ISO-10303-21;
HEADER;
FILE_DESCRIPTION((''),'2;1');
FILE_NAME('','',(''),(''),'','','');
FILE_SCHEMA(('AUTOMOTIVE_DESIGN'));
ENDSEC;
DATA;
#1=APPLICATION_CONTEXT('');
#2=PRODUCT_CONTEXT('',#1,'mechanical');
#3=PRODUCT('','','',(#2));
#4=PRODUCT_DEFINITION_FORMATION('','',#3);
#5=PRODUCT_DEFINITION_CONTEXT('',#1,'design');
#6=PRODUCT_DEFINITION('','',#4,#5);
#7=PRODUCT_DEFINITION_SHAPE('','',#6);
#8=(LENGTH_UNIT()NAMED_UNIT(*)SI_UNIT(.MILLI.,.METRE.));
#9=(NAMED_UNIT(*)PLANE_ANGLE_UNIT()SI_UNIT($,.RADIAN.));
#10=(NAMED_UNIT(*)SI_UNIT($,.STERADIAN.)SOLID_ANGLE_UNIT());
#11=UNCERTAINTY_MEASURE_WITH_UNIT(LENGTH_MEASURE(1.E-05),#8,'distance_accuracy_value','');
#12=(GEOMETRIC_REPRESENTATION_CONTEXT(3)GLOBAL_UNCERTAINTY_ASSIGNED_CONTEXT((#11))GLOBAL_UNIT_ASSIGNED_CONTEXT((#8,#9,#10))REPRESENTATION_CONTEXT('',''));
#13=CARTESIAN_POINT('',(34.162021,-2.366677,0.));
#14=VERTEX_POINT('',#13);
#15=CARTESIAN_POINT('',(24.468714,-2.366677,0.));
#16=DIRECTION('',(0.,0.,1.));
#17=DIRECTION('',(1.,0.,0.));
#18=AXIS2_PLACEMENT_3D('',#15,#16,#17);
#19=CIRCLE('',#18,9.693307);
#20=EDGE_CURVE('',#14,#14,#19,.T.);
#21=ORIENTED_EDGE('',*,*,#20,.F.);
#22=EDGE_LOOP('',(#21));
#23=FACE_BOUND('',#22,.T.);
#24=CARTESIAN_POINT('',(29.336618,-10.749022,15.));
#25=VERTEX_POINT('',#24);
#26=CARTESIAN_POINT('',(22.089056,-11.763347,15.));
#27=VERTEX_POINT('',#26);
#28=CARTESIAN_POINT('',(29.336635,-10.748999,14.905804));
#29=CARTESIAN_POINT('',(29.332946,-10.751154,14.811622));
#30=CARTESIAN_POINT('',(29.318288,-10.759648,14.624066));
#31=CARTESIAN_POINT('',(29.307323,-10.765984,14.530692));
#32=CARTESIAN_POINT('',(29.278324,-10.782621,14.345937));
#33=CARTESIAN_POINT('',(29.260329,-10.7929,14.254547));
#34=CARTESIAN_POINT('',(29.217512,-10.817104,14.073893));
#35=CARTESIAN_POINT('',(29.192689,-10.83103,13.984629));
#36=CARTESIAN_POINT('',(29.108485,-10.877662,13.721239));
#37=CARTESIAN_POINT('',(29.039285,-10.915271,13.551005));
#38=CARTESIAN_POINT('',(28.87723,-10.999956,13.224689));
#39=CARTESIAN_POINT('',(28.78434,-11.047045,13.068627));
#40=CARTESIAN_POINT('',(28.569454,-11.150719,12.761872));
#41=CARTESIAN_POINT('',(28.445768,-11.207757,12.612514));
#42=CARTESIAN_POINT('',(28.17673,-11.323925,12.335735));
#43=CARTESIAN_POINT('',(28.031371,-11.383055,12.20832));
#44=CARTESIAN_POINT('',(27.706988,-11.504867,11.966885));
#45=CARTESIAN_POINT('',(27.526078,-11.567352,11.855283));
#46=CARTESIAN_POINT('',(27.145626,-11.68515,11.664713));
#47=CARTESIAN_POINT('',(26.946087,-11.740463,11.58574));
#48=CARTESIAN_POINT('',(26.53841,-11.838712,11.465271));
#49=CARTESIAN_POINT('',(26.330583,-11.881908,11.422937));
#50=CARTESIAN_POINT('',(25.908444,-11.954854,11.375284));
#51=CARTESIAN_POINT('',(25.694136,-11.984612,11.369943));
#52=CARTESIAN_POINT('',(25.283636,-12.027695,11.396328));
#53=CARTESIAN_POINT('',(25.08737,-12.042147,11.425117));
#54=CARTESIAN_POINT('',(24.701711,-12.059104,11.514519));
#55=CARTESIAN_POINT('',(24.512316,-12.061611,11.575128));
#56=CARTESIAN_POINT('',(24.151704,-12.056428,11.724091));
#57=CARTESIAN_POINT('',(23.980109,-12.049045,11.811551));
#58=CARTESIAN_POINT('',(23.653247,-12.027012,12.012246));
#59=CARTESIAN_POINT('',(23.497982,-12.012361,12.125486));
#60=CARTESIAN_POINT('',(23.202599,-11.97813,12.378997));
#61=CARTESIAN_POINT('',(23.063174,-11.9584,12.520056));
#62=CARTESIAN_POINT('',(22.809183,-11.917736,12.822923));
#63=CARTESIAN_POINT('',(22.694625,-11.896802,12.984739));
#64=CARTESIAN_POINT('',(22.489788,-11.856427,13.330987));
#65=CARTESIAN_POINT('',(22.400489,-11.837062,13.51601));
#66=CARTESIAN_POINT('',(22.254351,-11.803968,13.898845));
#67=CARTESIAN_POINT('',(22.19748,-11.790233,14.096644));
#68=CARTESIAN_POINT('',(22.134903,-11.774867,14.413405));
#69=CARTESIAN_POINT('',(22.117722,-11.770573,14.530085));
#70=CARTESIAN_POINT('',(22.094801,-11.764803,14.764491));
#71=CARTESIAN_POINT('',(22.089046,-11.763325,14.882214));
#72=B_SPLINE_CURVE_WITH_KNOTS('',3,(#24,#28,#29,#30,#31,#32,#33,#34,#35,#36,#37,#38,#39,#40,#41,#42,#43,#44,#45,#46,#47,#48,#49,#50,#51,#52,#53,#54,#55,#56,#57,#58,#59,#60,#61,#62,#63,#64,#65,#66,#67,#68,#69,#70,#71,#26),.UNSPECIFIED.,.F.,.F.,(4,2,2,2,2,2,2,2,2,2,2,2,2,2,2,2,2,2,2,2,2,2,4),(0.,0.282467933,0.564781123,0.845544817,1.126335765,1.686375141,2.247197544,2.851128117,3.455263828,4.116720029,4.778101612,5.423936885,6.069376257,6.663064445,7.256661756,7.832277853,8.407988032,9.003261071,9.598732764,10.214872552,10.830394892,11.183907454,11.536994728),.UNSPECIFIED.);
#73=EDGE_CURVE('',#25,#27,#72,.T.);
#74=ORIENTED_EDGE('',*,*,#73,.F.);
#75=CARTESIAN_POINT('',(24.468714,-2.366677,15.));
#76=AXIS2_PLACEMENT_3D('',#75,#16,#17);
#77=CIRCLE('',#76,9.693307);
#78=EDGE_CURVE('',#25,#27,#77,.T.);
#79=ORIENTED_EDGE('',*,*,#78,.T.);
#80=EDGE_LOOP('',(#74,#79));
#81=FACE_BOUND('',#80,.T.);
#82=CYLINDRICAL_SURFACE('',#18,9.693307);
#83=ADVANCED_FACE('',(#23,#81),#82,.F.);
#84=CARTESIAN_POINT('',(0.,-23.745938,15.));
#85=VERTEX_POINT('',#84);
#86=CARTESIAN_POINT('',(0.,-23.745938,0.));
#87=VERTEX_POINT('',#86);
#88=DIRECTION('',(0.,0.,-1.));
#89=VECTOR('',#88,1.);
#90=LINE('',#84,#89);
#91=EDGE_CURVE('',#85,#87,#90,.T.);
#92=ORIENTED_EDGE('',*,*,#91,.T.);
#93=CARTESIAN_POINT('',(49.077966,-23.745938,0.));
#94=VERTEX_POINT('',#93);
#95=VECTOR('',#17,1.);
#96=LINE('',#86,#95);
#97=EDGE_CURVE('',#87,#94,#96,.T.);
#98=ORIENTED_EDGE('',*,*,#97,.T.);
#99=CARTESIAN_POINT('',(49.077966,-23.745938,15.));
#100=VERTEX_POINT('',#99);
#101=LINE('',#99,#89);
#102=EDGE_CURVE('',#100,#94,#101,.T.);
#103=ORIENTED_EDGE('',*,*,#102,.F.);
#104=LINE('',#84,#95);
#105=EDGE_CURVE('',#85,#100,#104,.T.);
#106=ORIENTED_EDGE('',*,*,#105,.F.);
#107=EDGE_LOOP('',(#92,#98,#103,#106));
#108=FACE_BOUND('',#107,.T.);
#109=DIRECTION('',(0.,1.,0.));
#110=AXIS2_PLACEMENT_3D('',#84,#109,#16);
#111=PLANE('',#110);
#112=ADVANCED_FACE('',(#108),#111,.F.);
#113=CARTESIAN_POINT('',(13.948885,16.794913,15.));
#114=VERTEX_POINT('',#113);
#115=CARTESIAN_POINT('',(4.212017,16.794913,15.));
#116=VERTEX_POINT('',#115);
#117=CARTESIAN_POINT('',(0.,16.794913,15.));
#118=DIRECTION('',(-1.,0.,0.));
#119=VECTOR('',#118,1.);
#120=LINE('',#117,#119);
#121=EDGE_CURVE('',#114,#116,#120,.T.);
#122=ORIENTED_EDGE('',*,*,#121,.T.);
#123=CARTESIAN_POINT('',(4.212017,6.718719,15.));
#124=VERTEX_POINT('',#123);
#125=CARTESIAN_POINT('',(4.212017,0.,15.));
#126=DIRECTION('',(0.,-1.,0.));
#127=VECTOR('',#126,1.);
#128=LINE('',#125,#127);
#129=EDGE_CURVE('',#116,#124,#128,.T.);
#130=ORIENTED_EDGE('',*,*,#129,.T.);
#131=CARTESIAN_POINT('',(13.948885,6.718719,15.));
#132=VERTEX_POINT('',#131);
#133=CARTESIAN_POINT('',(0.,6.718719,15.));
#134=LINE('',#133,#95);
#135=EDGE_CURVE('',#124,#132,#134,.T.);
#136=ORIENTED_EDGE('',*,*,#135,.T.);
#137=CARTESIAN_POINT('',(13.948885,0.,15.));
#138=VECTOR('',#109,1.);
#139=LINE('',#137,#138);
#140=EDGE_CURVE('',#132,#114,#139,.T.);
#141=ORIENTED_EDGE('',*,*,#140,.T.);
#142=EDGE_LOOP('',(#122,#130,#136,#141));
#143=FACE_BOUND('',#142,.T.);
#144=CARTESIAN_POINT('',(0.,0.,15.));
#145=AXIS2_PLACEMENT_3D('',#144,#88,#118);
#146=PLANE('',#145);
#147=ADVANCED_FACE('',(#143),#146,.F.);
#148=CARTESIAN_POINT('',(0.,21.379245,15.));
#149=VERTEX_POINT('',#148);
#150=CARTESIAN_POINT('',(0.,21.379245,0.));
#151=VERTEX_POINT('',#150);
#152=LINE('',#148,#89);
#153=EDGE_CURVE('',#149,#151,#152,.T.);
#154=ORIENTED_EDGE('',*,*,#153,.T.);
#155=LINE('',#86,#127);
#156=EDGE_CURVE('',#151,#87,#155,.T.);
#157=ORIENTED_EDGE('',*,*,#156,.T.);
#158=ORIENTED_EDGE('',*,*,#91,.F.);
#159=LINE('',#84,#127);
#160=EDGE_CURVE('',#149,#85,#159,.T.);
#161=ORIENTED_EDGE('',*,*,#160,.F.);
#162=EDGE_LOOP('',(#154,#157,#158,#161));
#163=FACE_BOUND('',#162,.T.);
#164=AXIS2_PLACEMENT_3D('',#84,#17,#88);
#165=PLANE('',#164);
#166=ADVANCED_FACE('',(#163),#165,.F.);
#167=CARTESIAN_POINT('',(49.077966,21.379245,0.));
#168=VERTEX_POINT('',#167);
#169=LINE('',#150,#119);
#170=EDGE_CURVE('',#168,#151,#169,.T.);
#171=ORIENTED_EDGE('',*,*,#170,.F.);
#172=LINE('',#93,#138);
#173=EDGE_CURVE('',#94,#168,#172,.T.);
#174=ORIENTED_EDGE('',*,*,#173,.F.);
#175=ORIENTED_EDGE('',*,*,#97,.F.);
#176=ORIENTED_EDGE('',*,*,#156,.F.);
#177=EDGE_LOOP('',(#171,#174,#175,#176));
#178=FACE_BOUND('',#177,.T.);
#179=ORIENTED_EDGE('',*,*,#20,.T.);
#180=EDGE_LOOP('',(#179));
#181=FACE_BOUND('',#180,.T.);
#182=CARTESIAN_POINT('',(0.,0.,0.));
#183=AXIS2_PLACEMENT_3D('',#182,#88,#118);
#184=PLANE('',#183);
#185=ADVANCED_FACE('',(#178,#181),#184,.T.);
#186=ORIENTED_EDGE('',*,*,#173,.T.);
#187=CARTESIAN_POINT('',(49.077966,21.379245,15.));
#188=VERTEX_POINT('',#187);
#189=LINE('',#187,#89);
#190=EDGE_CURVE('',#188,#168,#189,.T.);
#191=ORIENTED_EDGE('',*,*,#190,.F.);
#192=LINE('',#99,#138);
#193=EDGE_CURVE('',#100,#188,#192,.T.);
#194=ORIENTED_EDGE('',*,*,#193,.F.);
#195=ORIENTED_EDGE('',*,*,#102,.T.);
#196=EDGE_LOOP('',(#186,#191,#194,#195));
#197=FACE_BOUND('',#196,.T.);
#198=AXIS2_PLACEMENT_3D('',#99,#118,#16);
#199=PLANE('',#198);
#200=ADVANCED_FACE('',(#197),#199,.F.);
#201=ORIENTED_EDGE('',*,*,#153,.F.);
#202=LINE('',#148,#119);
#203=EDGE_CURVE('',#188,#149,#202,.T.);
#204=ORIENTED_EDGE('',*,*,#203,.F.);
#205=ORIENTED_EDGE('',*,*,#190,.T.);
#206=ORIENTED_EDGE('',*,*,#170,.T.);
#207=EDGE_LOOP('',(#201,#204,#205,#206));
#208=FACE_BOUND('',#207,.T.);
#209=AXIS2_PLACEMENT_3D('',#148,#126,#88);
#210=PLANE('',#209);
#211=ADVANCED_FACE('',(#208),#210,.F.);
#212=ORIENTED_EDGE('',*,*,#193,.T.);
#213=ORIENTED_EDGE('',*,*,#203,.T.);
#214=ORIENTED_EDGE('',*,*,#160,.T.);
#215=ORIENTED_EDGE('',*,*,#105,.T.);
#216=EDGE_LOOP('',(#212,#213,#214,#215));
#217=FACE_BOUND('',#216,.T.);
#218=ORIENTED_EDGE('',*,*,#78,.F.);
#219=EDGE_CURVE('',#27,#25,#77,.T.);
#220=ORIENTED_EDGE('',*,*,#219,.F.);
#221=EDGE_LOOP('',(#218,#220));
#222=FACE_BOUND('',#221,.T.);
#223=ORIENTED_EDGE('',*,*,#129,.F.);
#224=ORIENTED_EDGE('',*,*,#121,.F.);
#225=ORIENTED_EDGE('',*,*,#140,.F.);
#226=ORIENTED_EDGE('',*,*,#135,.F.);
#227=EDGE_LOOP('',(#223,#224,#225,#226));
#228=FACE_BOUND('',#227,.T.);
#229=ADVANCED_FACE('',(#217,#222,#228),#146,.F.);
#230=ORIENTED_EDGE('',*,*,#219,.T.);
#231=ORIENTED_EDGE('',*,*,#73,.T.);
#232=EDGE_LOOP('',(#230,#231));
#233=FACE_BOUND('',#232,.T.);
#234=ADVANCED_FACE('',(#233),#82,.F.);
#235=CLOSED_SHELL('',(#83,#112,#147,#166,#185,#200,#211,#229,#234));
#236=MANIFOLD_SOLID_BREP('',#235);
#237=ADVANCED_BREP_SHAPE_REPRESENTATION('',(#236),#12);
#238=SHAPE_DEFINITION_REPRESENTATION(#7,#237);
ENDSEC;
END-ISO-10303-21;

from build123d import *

# Parameters (mm, degrees)
SKIZZE1_W                       = 49.077966102
SKIZZE1_H                       = 45.125182164
AUFSATZ_LINEAR_AUSTRAGEN1_DEPTH = 15
SKIZZE2_R                       = 9.693306542
SCHNITT_LINEAR_AUSTRAGEN1_DEPTH = 16


with BuildPart() as part:
    # Skizze1 → Aufsatz-Linear austragen1 (new body)
    with BuildSketch(Plane.XY):
        with Locations((24.538983051, -1.183346479)):
            Rectangle(SKIZZE1_W, SKIZZE1_H)
    extrude(amount=AUFSATZ_LINEAR_AUSTRAGEN1_DEPTH)

    # Skizze2 → Schnitt-Linear austragen1 (cut, through all)
    with BuildSketch(Plane.XY.offset(15)):
        with Locations((24.468714324, -2.366676924)):
            Circle(SKIZZE2_R)
    extrude(amount=-SCHNITT_LINEAR_AUSTRAGEN1_DEPTH, mode=Mode.SUBTRACT)


solid = part.part
